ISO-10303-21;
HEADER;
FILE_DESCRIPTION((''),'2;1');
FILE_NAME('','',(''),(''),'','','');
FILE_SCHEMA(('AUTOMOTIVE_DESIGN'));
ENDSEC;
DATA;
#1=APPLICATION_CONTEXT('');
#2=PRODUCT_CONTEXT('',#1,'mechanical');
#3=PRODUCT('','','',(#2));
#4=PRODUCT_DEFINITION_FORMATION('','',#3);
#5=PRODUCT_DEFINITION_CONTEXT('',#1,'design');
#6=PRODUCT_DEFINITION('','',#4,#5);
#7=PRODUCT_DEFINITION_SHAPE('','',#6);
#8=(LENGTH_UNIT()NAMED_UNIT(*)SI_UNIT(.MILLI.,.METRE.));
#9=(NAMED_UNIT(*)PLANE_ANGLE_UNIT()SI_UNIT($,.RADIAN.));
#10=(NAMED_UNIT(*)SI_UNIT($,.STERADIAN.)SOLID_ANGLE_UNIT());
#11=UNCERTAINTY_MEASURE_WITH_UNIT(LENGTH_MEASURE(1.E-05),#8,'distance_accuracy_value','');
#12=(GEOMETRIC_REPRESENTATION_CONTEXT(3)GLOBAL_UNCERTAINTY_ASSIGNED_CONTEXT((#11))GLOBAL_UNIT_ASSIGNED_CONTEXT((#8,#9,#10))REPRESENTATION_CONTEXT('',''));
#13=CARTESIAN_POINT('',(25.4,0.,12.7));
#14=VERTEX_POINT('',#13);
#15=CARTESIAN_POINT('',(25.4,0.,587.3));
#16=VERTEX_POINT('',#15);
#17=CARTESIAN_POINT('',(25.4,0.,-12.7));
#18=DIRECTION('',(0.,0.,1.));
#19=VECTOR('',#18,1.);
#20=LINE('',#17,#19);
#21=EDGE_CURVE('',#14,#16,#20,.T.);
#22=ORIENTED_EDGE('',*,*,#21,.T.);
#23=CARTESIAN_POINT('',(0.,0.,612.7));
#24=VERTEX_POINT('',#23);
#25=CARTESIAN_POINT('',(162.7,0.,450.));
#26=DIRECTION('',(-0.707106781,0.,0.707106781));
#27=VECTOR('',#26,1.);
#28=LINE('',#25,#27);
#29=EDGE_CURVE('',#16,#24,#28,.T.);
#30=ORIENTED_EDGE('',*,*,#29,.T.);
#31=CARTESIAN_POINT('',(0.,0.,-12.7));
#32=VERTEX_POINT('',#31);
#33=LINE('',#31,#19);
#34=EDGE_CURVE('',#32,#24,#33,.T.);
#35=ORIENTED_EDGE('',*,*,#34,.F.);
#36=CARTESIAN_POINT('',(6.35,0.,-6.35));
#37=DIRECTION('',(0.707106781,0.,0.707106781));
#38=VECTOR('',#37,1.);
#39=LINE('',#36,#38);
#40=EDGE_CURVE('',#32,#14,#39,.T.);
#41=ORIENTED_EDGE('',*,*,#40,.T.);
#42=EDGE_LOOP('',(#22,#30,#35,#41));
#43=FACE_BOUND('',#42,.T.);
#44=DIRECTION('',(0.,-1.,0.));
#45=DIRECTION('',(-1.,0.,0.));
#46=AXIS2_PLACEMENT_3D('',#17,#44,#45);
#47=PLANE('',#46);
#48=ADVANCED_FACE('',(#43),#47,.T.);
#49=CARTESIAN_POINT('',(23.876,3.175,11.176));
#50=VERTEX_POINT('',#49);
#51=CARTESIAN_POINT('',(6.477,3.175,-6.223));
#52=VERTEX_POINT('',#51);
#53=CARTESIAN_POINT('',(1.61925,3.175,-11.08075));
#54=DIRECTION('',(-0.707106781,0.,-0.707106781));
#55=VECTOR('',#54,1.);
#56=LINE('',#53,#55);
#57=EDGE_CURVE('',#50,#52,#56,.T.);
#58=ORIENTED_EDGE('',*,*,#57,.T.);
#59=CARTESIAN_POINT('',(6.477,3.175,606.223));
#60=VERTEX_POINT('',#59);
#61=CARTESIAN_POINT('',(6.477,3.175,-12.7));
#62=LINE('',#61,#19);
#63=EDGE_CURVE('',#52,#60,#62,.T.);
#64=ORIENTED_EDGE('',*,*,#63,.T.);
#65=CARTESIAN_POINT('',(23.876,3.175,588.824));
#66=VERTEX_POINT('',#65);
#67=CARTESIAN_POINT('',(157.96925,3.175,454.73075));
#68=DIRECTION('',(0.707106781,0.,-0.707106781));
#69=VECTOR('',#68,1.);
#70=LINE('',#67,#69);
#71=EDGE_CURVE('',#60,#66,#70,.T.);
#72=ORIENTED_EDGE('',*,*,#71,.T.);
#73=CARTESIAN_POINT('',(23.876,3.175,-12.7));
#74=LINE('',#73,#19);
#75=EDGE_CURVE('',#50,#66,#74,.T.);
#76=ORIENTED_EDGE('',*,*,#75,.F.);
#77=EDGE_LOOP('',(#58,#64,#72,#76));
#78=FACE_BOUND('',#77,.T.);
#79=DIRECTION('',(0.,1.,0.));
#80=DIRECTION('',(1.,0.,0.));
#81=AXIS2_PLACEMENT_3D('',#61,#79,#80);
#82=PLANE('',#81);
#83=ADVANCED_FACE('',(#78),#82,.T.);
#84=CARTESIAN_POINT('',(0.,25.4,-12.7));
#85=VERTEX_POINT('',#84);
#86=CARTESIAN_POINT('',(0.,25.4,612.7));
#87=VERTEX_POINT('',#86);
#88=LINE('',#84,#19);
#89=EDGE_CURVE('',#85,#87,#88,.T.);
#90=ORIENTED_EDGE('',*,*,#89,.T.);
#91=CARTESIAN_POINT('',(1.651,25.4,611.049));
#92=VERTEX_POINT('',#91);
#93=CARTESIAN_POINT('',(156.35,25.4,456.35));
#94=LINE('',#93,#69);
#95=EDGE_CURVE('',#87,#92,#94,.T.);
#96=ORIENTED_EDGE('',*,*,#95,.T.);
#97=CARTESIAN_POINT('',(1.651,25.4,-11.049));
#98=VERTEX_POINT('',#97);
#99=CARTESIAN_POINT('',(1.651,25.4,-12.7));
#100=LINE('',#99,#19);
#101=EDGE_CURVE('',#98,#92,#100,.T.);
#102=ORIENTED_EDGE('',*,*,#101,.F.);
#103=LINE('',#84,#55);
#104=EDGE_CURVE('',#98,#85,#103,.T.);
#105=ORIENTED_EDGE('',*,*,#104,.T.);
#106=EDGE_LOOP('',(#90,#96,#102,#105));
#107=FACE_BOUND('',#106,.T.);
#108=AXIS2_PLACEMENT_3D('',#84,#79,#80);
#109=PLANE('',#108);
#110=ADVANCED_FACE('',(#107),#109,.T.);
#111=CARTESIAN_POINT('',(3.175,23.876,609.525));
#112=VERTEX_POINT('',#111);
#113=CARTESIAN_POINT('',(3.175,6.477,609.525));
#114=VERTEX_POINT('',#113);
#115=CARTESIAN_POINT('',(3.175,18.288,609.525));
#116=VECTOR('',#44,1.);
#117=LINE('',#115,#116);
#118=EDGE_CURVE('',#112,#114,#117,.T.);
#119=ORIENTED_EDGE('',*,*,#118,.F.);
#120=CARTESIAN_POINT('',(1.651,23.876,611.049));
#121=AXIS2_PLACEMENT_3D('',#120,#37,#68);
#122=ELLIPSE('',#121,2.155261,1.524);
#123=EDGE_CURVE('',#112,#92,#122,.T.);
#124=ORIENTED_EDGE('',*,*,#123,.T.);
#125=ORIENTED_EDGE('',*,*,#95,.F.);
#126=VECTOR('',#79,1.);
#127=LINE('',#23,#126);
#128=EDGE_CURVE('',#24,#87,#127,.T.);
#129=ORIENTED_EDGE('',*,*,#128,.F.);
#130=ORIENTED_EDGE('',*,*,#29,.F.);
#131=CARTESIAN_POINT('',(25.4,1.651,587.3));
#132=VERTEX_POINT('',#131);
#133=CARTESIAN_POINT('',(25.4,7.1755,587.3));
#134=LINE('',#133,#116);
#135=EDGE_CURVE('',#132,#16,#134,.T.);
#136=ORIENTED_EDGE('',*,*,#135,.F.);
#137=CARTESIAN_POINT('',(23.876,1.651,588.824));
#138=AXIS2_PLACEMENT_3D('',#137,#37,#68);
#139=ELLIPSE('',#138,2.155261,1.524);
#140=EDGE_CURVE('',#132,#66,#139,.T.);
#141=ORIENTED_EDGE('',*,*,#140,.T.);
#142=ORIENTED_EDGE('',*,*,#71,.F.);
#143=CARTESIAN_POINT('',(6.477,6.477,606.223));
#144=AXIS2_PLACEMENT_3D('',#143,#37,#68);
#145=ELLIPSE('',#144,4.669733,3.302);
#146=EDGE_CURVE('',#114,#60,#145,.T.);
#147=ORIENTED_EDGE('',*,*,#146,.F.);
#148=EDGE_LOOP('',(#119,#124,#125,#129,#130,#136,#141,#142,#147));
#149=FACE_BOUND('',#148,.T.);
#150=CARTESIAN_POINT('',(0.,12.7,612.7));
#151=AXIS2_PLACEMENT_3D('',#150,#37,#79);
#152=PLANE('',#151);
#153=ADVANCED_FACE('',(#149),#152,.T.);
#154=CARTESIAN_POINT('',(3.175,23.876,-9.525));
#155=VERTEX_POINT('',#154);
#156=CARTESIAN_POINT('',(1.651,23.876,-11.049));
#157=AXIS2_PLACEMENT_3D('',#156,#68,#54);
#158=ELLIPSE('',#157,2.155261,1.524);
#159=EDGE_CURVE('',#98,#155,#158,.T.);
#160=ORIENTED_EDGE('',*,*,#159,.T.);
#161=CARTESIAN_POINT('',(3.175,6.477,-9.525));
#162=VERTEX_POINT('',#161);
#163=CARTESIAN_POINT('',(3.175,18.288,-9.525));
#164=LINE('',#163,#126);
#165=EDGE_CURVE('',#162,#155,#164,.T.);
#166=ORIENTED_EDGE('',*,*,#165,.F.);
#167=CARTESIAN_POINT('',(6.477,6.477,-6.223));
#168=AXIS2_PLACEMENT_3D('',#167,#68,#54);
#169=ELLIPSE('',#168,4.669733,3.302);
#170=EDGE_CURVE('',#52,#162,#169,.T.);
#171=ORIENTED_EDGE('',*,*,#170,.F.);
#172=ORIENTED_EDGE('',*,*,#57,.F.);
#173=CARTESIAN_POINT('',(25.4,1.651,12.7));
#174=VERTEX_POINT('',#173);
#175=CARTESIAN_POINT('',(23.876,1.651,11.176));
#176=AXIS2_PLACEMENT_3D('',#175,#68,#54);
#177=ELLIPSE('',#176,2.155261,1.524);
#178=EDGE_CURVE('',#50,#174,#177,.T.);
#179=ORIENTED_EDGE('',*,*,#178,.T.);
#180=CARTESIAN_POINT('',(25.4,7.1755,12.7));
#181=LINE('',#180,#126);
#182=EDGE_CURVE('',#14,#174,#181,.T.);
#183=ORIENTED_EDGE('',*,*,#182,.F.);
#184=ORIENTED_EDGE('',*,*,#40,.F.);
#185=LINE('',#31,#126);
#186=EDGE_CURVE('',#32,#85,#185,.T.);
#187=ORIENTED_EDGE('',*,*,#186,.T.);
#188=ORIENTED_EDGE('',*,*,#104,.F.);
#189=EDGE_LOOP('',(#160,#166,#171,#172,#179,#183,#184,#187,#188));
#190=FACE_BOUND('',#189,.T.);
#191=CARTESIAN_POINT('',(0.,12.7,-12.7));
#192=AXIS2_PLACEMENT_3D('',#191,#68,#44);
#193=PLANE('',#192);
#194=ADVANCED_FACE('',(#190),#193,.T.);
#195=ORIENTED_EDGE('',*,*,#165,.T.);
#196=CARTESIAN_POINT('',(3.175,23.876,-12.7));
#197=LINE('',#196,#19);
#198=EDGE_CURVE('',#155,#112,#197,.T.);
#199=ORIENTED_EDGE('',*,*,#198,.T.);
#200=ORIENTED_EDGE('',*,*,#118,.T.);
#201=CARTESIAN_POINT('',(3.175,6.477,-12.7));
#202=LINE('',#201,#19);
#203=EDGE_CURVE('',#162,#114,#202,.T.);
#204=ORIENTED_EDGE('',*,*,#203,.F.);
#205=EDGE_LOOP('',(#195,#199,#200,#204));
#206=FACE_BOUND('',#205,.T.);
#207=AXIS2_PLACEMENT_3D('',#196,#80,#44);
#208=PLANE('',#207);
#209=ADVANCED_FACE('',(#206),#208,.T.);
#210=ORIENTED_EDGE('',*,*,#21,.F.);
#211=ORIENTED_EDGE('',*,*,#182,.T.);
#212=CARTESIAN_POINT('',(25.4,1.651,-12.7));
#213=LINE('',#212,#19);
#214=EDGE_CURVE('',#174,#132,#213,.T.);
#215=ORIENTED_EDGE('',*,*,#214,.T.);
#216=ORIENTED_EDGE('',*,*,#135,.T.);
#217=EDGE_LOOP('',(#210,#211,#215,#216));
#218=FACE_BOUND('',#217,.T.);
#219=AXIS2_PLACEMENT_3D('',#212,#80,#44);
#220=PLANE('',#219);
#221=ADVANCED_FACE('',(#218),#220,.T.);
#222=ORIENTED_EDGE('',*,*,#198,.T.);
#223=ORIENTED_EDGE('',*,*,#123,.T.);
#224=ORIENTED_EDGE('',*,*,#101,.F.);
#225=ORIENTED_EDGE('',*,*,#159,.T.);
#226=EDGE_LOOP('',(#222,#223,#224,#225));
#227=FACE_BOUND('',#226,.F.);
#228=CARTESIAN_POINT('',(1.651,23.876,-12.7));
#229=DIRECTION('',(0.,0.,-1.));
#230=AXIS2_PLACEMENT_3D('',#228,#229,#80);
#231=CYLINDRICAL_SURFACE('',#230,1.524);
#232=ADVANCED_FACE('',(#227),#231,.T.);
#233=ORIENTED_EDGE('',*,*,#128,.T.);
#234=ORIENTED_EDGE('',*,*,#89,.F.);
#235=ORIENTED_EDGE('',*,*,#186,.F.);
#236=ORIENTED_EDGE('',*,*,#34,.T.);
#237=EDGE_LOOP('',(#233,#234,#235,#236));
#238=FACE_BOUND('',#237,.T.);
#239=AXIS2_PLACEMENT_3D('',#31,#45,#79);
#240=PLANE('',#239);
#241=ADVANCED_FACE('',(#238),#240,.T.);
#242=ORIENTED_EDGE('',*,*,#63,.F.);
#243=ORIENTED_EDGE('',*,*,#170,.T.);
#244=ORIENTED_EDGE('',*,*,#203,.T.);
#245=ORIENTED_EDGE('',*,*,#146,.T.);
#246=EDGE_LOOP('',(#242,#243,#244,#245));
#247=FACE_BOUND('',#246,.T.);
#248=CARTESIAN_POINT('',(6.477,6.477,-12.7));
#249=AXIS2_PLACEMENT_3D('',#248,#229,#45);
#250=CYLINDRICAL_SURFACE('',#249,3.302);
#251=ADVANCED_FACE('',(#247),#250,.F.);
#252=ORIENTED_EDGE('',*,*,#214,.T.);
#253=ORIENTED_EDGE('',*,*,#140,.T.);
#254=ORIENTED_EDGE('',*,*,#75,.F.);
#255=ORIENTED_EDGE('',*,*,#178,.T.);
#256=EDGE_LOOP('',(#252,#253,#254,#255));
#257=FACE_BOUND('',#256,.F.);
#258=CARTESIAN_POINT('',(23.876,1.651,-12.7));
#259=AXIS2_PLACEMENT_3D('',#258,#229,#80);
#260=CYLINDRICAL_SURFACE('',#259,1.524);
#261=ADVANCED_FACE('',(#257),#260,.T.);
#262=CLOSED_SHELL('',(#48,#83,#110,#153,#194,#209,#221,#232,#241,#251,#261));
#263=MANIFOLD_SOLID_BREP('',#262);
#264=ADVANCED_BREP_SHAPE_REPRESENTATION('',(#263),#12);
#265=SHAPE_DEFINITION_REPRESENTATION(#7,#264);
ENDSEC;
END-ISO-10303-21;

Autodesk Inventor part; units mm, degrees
ref_plane "Start Plane" through (0, 0, -12.7) normal (0, 0, 1) x (1, 0, 0)
ref_plane "End Plane" through (0, 0, 612.7) normal (0, 0, 1) x (1, 0, 0)
sketch "Sketch" plane through (0, 0, 0) normal (0, 0, 1) x (1, 0, 0)
  line L0 (25.4, 0) -> (0, 0)
  line L1 (0, 0) -> (0, 25.4)
  line L2 (0, 25.4) -> (1.651, 25.4)
  line L3 (3.175, 23.876) -> (3.175, 6.477)
  line L4 (6.477, 3.175) -> (23.876, 3.175)
  line L5 (25.4, 1.651) -> (25.4, 0)
  line L6 (0, -11.0414) -> (0, 31.5385) construction
  line L7 (-11.0414, 0) -> (31.5385, 0) construction
  arc A0 (3.175, 6.477) -> (6.477, 3.175) centre (6.477, 6.477) ccw
  arc A1 (3.175, 23.876) -> (1.651, 25.4) centre (1.651, 23.876) ccw
  arc A2 (25.4, 1.651) -> (23.876, 3.175) centre (23.876, 1.651) ccw
  line L8 (0, 40.0545) -> (0, -19.5574) construction
  line L9 (-19.5574, 0) -> (40.0545, 0) construction
  point P0 (3.175, 25.4)
  point P1 (3.175, 3.175)
  point P2 (25.4, 3.175)
  dimension "d0" = 25.4
  dimension "d1" = 25.4
  dimension "d2" = 3.175
  dimension "d3" = 3.175
  dimension "d10" = 0
  dimension "d11" = 0
  dimension "d14" = 3.302
  dimension "d15" = 1.524
extrude "Body" add sketch "Sketch" along normal up to surface (625.4 mm away) from surface at -12.7
sketch "Sketch3" plane through (0, 0, 0) normal (0, 0, 1) x (1, 0, 0)
  line L0 (0, 0) -> (10, 0)
ref_plane "Work Plane3" through (0, 0, 0) normal (0, -1, 0) x (1, 0, 0)
ref_plane "Work Plane4" through (0, 12.7, -12.7) normal (0.7071, 0, -0.7071) x (-0.7071, 0, -0.7071)
split "Split1" plane through (0, 12.7, -12.7) removes the side toward (0.7071, 0, -0.7071)
ref_plane "Work Plane5" through (0, 12.7, 612.7) normal (0.7071, 0, 0.7071) x (0.7071, 0, -0.7071)
split "Split2" plane through (0, 12.7, 612.7) removes the side toward (0.7071, 0, 0.7071)
sketch "Sketch4" plane through (0, 0, 0) normal (0, -1, 0) x (1, 0, 0)
  line L0 (-2, -12.7) -> (12, -12.7) projected
  line L1 (-2, 612.7) -> (12, 612.7) projected
  dimension "d17" = 625.4
equation "\"d0\" = G_H"
equation "\"d1\" = G_H"
equation "\"d2\" = G_T"
equation "\"d3\" = G_T"
equation "\"d14\" = G_IR"
equation "\"d15\" = G_ER"
equation "\"d4\" = G_L"
equation "\"G_H\" = 25.4"
equation "\"G_T\" = 3.175"
equation "\"G_ER\" = 1.524"
equation "\"G_IR\" = 3.302"
equation "\"G_L\" = d17"
equation "\"ex\" = 0"
equation "\"G_OFFSET_START\" = 12.7"
equation "\"G_OFFSET_END\" = 12.7"
equation "\"d12\" = -G_OFFSET_START"
equation "\"d13\" = G_OFFSET_END + B_L"
equation "\"B_L\" = 600"
properties part number "AISC - L 1 x 1 x 1/8 - 24.622" material "Steel, Mild"
